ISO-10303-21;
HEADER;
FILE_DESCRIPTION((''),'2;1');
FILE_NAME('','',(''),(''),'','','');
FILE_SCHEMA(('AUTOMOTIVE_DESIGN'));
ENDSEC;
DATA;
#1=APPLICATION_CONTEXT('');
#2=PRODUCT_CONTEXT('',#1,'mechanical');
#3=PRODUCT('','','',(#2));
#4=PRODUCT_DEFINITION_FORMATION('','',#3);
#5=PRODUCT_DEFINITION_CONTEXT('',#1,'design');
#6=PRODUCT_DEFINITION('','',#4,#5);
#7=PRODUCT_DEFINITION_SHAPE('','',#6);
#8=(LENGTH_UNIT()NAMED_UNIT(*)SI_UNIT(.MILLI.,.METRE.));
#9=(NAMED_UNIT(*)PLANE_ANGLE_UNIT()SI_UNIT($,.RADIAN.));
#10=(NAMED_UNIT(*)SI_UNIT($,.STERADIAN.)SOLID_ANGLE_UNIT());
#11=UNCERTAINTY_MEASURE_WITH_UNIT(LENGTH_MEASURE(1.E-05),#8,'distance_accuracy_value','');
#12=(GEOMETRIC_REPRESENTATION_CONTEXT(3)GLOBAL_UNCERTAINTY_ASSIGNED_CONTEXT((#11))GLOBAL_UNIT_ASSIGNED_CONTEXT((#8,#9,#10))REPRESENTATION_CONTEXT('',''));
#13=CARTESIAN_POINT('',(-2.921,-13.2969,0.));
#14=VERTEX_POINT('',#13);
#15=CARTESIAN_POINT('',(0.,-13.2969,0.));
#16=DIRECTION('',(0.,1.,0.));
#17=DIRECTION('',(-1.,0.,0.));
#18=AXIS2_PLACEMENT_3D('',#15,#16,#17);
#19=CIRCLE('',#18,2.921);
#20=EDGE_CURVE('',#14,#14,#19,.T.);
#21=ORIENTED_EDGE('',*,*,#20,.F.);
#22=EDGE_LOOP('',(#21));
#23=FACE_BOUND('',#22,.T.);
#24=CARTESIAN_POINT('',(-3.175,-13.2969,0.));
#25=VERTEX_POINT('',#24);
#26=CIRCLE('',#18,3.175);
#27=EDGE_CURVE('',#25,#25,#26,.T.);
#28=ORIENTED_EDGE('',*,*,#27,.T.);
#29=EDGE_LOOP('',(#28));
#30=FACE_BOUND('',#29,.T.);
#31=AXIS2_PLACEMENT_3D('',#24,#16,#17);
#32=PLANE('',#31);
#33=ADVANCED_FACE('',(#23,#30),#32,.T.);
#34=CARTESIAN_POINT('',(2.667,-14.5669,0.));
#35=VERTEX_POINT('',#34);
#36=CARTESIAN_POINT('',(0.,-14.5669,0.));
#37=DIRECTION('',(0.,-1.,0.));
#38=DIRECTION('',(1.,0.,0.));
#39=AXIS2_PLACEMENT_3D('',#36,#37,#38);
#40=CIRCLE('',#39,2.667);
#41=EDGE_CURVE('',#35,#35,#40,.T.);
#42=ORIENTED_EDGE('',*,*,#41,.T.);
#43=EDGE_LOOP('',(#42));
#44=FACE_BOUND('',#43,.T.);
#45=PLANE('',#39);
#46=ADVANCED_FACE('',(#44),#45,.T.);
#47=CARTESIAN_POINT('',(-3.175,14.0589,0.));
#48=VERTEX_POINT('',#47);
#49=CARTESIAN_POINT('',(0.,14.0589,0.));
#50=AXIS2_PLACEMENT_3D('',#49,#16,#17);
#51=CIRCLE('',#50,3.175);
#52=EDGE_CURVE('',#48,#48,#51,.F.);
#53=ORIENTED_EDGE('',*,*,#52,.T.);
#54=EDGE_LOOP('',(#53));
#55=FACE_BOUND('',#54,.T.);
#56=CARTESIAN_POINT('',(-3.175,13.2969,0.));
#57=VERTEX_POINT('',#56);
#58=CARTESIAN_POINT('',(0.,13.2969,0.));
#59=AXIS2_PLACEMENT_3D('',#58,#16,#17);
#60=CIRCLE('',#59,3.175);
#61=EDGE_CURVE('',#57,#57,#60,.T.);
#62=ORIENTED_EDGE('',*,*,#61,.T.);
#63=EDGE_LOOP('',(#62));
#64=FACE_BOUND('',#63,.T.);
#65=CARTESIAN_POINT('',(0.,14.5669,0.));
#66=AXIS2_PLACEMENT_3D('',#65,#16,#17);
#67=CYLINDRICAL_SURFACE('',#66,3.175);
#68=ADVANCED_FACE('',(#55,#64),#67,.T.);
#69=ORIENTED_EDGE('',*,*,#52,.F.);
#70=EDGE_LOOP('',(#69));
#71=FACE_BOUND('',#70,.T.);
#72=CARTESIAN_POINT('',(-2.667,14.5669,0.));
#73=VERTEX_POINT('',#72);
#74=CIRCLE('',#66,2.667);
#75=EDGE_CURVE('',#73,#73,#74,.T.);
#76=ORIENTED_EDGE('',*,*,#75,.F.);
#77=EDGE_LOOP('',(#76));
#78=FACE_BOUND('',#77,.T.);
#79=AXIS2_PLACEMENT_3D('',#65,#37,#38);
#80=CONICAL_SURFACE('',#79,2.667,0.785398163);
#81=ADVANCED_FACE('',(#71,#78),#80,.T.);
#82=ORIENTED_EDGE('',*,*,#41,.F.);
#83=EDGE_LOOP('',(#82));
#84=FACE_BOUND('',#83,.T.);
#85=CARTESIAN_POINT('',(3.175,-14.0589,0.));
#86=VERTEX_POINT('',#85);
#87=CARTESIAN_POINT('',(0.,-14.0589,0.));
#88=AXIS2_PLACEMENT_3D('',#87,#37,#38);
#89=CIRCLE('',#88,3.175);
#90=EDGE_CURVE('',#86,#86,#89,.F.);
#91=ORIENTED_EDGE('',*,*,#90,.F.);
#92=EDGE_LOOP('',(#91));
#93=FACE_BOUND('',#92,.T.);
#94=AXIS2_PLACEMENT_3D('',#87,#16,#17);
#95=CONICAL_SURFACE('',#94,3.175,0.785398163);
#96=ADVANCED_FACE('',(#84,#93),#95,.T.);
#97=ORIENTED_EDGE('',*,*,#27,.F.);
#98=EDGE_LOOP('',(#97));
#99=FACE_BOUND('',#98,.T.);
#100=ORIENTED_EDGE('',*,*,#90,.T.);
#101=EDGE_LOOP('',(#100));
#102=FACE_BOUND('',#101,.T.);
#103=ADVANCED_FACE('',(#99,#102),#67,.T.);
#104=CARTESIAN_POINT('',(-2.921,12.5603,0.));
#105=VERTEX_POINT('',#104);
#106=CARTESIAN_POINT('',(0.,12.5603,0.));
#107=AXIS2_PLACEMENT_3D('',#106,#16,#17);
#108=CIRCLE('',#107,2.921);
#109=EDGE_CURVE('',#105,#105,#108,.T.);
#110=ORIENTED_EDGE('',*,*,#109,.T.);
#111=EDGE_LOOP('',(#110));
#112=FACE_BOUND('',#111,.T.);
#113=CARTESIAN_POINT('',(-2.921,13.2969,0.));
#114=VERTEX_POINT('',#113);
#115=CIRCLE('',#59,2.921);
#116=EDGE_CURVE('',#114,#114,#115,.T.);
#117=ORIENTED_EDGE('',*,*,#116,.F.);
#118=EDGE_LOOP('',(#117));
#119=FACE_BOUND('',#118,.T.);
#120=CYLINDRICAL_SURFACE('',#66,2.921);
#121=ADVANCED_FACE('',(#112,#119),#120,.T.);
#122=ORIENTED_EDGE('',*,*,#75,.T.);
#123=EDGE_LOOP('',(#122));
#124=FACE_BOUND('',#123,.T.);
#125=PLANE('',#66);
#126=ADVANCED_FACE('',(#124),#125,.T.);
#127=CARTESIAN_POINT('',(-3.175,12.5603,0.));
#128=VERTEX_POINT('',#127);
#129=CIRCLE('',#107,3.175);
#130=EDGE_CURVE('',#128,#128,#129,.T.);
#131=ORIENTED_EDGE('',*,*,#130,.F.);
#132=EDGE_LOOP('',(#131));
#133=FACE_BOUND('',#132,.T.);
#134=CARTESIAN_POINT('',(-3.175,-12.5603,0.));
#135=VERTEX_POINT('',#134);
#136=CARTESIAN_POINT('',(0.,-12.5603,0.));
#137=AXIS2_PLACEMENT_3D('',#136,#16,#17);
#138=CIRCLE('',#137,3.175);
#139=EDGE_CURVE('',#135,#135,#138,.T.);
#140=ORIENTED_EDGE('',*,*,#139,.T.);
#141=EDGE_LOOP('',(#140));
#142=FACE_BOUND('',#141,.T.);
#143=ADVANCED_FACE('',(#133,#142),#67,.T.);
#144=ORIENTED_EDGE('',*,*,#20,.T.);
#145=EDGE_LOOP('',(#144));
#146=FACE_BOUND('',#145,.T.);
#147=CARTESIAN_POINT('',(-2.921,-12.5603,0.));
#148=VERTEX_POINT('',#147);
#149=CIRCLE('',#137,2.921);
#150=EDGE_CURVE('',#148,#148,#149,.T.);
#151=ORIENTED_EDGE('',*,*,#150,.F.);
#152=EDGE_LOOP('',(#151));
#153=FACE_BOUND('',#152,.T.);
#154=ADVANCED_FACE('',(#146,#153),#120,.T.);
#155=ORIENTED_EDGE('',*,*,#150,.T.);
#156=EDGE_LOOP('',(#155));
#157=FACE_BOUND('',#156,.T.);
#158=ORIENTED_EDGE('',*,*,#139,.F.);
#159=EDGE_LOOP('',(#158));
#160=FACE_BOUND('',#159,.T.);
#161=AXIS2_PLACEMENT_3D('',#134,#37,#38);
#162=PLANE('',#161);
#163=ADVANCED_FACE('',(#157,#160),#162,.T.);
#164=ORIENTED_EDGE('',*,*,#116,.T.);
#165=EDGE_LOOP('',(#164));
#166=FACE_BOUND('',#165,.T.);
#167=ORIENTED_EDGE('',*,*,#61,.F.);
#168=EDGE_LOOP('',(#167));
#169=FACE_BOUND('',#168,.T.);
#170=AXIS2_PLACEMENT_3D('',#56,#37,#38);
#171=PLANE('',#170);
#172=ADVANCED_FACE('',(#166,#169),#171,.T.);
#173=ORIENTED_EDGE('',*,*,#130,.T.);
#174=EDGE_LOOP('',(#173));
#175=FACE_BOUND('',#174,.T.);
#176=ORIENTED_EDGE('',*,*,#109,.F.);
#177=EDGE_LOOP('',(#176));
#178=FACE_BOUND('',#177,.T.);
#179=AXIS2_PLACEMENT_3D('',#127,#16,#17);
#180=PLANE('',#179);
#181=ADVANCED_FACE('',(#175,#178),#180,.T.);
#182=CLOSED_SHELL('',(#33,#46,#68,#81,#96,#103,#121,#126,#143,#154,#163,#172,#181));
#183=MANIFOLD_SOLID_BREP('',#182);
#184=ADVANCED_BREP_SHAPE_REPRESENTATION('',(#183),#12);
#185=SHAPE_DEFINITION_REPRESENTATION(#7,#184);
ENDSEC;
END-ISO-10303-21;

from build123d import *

# Parameters (mm, degrees)
CHAMFER1_SIZE = 0.508


with BuildPart() as part:
    # Sketch1 → Revolve1 (revolve)
    with BuildSketch(Plane.XY):
        Polygon((-3.175, 12.5603), (-3.175, -12.5603), (-2.921, -12.5603), (-2.921, -13.2969), (-3.175, -13.2969), (-3.175, -14.5669), (0, -14.5669), (0, 14.5669), (-3.175, 14.5669), (-3.175, 13.2969), (-2.921, 13.2969), (-2.921, 12.5603), align=None)
    revolve(axis=Axis((0, 14.5669, 0), (0, -1, 0)))

    # Chamfer1
    chamfer1_edges = [part.edges().sort_by_distance(p)[0] for p in [
        (3.175, -14.5669, 0),
        (3.175, 14.5669, 0),
    ]]
    chamfer(chamfer1_edges, length=CHAMFER1_SIZE)


solid = part.part
